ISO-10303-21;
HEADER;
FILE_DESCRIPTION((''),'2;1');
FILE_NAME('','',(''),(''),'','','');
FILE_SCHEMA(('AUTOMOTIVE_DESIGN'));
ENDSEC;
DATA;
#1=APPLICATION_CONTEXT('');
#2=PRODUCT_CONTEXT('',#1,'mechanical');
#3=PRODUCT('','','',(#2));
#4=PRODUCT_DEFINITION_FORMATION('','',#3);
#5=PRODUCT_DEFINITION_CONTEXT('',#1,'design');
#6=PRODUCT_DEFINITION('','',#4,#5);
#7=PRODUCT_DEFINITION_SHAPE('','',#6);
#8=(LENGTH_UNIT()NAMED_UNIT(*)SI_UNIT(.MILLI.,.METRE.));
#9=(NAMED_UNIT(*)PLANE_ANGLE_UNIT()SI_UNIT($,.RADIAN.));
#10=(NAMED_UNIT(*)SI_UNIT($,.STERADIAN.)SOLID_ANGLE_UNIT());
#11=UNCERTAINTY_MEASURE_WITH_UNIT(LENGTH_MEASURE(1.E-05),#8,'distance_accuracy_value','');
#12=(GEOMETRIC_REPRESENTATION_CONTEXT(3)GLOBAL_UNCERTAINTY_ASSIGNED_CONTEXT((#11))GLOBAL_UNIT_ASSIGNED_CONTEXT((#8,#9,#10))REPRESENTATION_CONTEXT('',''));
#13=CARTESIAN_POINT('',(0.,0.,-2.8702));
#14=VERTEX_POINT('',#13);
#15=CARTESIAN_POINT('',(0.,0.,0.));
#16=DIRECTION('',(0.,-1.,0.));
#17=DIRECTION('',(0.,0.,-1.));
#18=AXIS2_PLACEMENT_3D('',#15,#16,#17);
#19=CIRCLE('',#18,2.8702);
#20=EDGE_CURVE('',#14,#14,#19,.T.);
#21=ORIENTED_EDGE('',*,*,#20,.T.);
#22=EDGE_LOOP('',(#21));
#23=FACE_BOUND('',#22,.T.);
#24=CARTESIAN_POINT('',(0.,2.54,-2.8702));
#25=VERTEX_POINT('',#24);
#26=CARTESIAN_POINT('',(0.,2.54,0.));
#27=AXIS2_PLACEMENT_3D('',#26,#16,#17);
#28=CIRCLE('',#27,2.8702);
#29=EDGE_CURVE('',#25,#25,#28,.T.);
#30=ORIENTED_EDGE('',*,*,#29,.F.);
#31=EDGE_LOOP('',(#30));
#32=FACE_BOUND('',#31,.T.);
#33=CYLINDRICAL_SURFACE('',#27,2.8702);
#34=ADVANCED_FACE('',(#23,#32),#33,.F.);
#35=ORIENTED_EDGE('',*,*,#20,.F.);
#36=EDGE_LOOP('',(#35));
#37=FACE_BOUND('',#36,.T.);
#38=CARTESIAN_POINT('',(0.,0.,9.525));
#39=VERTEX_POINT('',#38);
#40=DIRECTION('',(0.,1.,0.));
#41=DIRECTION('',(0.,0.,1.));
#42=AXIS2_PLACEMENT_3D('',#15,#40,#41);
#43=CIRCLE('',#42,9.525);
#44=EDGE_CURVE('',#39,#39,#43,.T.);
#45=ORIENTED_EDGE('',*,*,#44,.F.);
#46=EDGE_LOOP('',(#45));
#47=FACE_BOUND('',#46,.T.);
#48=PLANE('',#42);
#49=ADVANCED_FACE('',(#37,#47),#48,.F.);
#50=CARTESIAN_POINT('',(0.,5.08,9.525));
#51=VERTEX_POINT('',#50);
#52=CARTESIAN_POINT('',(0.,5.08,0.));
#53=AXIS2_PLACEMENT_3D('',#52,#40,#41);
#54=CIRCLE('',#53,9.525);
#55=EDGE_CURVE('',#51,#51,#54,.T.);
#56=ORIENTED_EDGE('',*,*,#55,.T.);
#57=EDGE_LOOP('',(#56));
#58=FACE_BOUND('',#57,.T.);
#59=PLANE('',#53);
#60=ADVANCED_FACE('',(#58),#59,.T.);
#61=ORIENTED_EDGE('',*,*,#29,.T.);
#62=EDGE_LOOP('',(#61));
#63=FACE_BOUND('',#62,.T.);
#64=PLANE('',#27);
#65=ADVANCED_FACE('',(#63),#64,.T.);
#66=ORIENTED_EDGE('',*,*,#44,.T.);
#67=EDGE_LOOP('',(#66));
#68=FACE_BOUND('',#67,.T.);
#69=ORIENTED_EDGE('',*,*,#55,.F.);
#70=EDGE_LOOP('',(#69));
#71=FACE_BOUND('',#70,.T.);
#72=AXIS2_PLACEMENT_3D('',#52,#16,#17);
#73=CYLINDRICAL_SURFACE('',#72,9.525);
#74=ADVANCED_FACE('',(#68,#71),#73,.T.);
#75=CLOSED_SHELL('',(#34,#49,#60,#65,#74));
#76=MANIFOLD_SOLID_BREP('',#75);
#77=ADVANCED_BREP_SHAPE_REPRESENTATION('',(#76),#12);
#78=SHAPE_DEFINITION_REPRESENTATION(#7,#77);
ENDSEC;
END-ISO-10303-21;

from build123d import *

# Parameters (mm, degrees)
SKETCH1_R           = 9.525
BOSS_EXTRUDE1_DEPTH = 5.08
SKETCH2_R           = 2.8702
CUT_EXTRUDE1_DEPTH  = 2.54


with BuildPart() as part:
    # Sketch1 → Boss-Extrude1 (new body)
    with BuildSketch(Plane(origin=(0, 0, 0), x_dir=(1, 0, 0), z_dir=(0, 1, 0))):
        with Locations(Location((0, 0, 0), (0, 0, 270))):
            Circle(SKETCH1_R)
    extrude(amount=BOSS_EXTRUDE1_DEPTH)

    # Sketch2 → Cut-Extrude1 (cut)
    with BuildSketch(Plane.XZ):
        with Locations(Location((0, 0, 0), (0, 0, 270))):
            Circle(SKETCH2_R)
    extrude(amount=-CUT_EXTRUDE1_DEPTH, mode=Mode.SUBTRACT)


solid = part.part
